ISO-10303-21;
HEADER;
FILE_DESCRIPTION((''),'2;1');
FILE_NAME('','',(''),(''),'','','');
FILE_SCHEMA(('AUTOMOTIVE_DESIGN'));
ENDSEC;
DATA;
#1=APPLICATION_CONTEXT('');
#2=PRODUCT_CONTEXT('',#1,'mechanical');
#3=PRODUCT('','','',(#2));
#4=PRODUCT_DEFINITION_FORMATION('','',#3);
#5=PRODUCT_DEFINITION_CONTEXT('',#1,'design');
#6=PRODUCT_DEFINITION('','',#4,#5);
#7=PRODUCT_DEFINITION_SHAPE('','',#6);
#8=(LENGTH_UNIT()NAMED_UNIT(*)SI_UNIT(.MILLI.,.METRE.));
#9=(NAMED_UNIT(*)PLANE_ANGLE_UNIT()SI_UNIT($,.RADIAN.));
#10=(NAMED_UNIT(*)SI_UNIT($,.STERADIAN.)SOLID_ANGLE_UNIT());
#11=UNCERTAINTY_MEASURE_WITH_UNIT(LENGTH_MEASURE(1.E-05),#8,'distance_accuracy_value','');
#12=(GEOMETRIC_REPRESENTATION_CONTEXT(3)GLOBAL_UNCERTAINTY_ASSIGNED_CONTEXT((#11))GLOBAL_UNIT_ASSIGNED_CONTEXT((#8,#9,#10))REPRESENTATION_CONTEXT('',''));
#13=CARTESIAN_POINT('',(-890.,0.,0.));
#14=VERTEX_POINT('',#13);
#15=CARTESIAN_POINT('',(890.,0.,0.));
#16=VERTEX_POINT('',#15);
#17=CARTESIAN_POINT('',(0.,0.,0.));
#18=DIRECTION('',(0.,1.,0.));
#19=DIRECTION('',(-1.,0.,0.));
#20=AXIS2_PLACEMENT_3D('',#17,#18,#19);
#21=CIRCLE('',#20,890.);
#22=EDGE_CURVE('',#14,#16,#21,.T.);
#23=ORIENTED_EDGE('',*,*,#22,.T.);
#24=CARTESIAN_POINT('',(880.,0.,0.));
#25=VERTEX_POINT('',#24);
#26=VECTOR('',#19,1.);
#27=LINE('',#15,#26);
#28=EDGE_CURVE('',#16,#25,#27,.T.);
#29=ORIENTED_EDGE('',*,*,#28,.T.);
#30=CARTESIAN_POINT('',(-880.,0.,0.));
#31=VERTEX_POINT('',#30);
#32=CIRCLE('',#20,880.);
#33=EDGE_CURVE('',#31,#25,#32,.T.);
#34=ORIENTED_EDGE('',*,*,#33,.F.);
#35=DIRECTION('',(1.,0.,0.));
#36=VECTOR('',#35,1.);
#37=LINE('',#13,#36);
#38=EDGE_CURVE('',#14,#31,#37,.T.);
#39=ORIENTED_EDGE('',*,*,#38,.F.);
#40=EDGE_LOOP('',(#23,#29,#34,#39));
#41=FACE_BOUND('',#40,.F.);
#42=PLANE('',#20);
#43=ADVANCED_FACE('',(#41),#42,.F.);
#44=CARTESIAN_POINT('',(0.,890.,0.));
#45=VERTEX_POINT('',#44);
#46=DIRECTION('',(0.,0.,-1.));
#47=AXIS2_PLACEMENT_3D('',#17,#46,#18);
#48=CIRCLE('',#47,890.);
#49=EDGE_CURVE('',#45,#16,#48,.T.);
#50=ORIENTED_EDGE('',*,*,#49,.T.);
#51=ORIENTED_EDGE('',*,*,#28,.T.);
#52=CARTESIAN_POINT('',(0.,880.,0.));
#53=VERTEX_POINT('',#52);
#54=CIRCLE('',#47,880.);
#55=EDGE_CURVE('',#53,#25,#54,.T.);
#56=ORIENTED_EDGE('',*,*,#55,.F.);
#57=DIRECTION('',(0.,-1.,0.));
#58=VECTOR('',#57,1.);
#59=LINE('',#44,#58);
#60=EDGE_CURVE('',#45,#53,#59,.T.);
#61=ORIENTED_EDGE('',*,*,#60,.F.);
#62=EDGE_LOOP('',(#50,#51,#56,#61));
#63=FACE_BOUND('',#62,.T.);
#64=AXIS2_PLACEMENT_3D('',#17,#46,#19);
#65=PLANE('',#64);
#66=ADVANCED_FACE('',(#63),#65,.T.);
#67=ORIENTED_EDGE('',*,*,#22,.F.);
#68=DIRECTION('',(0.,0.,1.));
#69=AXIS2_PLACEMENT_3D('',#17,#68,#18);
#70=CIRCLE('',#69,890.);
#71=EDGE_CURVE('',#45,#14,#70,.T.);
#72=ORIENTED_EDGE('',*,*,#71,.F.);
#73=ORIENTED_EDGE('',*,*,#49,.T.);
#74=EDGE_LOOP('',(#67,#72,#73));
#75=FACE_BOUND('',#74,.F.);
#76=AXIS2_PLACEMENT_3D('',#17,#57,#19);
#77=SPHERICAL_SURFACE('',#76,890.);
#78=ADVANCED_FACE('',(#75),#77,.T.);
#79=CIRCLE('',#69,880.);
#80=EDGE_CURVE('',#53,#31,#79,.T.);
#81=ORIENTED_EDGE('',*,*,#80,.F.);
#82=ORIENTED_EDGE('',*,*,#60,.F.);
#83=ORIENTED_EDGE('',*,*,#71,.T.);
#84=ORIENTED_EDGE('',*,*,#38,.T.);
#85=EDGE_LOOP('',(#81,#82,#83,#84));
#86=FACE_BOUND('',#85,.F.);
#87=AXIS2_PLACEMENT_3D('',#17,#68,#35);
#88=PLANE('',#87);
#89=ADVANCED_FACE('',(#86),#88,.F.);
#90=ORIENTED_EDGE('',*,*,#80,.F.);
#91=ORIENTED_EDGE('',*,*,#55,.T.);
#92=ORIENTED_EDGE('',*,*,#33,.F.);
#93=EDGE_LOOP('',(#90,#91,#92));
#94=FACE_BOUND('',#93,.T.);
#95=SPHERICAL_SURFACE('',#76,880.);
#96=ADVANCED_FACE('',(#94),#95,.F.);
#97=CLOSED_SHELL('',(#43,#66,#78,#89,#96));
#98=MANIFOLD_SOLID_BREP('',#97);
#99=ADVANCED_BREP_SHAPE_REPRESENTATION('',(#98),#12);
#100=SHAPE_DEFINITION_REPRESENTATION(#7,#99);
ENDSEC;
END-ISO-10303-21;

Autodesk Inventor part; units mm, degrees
ref_plane "XZ Plane" through (0, 0, 0) normal (0, 1, 0) x (-1, 0, 0)
ref_plane "XY Plane" through (0, 0, 0) normal (0, 0, 1) x (1, 0, 0)
sketch "Sketch1" plane through (0, 0, 0) normal (0, 0, 1) x (1, 0, 0)
  arc A0 (0, 890) -> (-890, 0) centre (0, 0) ccw
  arc A1 (0, 880) -> (-880, 0) centre (0, 0) ccw
  line L0 (-890, 0) -> (-880, 0)
  line L1 (0, 890) -> (0, 880)
  line L2 (0, -214.865) -> (0, 1289.19) projected
  dimension "d0" = 10
  dimension "d1" = 890
  dimension "d2" = 0
  dimension "d3" = 0
revolve "Revolution1" add sketch "Sketch1" angle 180 about axis through (0, -10, 0) along (0, 1, 0)
ref_plane "midPlane" through (0, 0, 0) normal (1, 0, 0) x (0, 1, 0)
ref_plane "tangent1" through (900, 0, 0) normal (1, 0, 0) x (0, 1, 0)
ref_plane "tangent2" through (-900, 0, 0) normal (1, 0, 0) x (0, 1, 0)
equation "\"d0\" = thickness"
equation "\"d1\" = cover_height_main - thickness"
equation "\"thickness\" = 10"
equation "\"cover_height_main\" = 900"
equation "\"hoop_angle_z\" = 45deg"
equation "\"hoop_bearing_length\" = 5deg"
equation "\"hoop_cable_diam\" = 5"
equation "\"hoop_cable_pulley_diam\" = 22"
equation "\"rack_tooth_addendum\" = 5"
equation "\"rack_tooth_dedendum\" = 5"
equation "\"rack_tooth_thickness\" = 5"
equation "\"secure_arm_angle\" = 20deg"
equation "\"secure_arm_hold_length\" = 35"
equation "\"secure_arm_radii\" = 9"
equation "\"support_baseClamp_platformLengthBuffer\" = 35"
equation "\"support_baseClamp_platformThickness\" = 15"
equation "\"support_baseClamp_platformWidthBuffer\" = 0"
equation "\"support_baseClamp_sleeveHoleDiameter\" = 12"
equation "\"support_baseClamp_sleeveSweepTerminationAngle\" = 55deg"
equation "\"support_baseClamp_thickness\" = 8"
equation "\"support_frame_endHoleBuffer\" = 25"
equation "\"support_frame_squareBarFillet\" = 2"
equation "\"support_frame_squareBarThickness\" = 5"
equation "\"hoop_tabs_thickness\" = 6"
equation "\"hoop_tabs_hole\" = 4"
equation "\"wheelchair_deployed_width\" = 635"
equation "\"wheelchair_deployed_length\" = 1067"
equation "\"wheelchair_deployed_height\" = 914"
properties part number "cover2_end_small"
